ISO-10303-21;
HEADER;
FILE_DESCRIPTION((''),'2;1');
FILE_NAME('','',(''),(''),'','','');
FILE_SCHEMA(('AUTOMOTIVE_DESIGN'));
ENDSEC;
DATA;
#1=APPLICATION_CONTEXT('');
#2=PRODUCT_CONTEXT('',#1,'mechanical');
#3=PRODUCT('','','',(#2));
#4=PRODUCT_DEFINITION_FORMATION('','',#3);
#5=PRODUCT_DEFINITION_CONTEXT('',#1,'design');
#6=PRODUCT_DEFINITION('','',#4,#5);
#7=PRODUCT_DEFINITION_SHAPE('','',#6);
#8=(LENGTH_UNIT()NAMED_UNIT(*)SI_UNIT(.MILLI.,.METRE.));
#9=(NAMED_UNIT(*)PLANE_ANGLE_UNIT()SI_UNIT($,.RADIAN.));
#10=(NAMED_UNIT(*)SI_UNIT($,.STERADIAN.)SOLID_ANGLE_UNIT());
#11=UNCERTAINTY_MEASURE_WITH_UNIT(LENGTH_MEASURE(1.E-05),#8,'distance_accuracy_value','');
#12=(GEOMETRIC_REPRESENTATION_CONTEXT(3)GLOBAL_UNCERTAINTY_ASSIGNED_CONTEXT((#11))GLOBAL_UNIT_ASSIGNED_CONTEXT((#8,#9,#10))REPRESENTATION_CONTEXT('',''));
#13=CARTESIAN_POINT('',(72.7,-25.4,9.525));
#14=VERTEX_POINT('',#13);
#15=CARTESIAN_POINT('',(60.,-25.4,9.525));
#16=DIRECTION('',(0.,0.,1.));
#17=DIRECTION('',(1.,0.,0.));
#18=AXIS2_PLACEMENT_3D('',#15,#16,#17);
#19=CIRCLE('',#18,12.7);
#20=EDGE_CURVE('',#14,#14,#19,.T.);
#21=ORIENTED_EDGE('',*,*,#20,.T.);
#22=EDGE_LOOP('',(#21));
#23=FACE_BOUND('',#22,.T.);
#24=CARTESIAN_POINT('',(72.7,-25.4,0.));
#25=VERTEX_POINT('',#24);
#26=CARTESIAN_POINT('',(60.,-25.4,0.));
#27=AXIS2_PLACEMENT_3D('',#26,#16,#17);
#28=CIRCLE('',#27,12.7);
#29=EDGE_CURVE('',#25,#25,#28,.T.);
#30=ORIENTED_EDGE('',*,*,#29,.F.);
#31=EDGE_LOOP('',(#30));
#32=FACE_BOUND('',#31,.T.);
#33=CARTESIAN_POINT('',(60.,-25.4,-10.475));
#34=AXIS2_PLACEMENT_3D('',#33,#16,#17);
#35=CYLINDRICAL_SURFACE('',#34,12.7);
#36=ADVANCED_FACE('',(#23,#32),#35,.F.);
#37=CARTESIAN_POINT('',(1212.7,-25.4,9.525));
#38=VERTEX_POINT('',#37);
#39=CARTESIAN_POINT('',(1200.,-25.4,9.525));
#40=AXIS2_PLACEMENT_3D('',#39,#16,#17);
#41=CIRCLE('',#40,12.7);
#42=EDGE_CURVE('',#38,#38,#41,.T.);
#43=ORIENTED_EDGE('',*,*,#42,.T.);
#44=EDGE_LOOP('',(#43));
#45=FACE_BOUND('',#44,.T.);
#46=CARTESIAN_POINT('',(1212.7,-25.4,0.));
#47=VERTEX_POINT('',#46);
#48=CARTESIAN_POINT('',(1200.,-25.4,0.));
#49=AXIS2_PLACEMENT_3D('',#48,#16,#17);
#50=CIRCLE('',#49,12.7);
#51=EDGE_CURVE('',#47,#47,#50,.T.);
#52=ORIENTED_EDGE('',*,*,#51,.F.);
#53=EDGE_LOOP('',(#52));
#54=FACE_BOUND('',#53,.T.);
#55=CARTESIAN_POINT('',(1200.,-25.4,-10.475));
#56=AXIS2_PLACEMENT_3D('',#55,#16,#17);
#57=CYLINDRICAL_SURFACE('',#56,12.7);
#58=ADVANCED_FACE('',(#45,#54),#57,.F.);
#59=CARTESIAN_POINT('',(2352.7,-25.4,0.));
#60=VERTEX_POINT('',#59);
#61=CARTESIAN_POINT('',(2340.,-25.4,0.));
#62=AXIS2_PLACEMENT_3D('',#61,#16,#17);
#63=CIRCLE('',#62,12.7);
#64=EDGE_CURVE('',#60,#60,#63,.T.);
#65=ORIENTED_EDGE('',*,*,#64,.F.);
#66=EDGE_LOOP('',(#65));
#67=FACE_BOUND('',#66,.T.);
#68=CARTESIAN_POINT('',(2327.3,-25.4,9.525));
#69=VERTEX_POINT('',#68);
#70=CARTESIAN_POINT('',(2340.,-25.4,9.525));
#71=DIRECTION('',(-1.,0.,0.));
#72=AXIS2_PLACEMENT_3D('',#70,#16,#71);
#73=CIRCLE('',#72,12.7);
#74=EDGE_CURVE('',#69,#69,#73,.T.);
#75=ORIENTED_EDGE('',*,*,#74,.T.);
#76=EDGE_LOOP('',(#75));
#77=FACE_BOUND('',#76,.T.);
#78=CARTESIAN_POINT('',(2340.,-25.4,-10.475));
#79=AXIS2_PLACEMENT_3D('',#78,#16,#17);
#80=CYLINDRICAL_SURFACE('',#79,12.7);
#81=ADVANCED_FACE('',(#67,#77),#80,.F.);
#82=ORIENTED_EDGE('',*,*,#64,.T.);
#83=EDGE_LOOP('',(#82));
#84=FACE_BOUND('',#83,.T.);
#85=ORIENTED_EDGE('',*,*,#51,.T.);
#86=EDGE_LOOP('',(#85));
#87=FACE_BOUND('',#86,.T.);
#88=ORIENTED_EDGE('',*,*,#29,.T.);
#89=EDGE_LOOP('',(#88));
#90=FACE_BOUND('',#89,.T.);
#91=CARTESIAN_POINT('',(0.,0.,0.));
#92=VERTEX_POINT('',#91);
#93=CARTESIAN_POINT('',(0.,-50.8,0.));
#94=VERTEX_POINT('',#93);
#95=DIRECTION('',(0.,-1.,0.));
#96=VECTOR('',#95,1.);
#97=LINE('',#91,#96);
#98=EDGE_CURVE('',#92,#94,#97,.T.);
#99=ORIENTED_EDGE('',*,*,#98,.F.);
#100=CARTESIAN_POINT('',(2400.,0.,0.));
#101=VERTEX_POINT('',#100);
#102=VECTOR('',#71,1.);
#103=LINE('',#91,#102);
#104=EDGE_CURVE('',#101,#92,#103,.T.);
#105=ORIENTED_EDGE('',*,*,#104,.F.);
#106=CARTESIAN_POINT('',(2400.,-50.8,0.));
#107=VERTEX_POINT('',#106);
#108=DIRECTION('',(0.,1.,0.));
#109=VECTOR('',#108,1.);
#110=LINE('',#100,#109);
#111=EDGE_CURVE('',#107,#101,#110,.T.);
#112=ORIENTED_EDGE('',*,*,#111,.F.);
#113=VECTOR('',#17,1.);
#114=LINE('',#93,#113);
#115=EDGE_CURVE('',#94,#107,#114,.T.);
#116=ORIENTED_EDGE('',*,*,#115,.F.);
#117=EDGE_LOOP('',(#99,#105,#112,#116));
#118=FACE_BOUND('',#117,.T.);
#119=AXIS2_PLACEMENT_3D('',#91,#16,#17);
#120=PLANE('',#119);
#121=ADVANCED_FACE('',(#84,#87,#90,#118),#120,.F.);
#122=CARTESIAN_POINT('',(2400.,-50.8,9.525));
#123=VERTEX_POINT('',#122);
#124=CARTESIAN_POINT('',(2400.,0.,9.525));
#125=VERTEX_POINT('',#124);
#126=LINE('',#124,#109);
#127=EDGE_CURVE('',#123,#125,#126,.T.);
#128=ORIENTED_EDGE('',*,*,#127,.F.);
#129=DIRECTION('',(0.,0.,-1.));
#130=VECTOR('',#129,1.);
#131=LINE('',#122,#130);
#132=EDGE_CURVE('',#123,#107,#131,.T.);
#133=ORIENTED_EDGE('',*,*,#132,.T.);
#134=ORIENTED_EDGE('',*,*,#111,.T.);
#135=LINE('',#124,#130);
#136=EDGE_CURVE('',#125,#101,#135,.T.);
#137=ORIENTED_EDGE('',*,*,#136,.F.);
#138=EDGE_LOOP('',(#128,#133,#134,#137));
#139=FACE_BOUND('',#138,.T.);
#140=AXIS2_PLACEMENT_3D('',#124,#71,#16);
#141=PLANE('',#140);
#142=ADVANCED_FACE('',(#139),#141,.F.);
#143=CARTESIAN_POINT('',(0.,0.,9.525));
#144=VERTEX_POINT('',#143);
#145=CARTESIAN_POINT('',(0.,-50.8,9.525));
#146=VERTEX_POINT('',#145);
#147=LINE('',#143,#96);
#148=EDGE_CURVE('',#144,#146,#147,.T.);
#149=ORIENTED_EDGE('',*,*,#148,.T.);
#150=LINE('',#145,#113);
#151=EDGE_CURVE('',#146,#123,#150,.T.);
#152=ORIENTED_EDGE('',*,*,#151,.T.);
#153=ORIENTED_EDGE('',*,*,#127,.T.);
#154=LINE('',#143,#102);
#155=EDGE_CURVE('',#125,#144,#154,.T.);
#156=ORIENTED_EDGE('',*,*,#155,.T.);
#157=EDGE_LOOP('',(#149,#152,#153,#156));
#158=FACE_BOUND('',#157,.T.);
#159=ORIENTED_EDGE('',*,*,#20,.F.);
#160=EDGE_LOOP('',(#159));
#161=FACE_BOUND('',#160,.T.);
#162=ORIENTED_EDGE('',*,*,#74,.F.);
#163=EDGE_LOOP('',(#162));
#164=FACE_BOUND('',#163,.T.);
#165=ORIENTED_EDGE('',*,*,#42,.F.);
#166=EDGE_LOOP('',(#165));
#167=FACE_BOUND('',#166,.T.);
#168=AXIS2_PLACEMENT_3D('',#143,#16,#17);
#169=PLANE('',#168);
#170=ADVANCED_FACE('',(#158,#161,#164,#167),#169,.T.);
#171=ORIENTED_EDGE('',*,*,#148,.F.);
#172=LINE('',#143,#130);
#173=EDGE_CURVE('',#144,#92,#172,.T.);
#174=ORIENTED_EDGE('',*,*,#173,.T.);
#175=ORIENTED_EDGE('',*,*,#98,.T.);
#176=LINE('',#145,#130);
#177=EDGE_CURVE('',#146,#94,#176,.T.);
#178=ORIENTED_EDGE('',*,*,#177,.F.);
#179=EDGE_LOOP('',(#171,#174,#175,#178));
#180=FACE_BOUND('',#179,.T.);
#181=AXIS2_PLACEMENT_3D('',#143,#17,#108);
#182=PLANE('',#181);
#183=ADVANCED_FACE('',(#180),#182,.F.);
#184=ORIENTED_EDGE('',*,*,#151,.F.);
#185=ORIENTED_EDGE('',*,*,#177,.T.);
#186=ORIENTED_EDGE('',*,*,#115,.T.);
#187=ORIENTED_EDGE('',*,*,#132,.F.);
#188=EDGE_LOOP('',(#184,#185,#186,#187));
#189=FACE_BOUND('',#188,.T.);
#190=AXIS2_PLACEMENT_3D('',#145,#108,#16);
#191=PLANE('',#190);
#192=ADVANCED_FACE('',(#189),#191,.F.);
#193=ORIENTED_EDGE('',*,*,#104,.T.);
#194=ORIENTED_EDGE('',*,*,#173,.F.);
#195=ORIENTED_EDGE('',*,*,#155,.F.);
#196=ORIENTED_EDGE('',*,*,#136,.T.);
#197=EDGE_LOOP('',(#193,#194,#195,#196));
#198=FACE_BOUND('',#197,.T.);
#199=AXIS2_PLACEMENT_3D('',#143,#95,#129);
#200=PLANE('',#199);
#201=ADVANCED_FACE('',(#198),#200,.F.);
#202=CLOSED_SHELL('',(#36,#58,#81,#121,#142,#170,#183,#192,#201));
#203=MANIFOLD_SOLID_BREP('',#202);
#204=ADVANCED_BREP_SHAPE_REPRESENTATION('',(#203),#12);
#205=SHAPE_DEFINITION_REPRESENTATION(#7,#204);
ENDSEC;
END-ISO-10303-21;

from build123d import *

# Parameters (mm, degrees)
CROQUIS1_W              = 2400
CROQUIS1_H              = 50.8
SALIENTE_EXTRUIR1_DEPTH = 9.525
CROQUIS2_R              = 12.7
CORTAR_EXTRUIR1_DEPTH   = 20


with BuildPart() as part:
    # Croquis1 → Saliente-Extruir1 (new body)
    with BuildSketch(Plane.XY):
        with Locations((1200, -25.4)):
            Rectangle(CROQUIS1_W, CROQUIS1_H)
    extrude(amount=SALIENTE_EXTRUIR1_DEPTH)

    # Croquis2 → Cortar-Extruir1 (cut)
    with BuildSketch(Plane.XY.offset(9.525)):
        with Locations((60, -25.4)):
            Circle(CROQUIS2_R)
        with Locations((2340, -25.4)):
            Circle(CROQUIS2_R)
        with Locations((1200, -25.4)):
            Circle(CROQUIS2_R)
    extrude(amount=-CORTAR_EXTRUIR1_DEPTH, mode=Mode.SUBTRACT)


solid = part.part
